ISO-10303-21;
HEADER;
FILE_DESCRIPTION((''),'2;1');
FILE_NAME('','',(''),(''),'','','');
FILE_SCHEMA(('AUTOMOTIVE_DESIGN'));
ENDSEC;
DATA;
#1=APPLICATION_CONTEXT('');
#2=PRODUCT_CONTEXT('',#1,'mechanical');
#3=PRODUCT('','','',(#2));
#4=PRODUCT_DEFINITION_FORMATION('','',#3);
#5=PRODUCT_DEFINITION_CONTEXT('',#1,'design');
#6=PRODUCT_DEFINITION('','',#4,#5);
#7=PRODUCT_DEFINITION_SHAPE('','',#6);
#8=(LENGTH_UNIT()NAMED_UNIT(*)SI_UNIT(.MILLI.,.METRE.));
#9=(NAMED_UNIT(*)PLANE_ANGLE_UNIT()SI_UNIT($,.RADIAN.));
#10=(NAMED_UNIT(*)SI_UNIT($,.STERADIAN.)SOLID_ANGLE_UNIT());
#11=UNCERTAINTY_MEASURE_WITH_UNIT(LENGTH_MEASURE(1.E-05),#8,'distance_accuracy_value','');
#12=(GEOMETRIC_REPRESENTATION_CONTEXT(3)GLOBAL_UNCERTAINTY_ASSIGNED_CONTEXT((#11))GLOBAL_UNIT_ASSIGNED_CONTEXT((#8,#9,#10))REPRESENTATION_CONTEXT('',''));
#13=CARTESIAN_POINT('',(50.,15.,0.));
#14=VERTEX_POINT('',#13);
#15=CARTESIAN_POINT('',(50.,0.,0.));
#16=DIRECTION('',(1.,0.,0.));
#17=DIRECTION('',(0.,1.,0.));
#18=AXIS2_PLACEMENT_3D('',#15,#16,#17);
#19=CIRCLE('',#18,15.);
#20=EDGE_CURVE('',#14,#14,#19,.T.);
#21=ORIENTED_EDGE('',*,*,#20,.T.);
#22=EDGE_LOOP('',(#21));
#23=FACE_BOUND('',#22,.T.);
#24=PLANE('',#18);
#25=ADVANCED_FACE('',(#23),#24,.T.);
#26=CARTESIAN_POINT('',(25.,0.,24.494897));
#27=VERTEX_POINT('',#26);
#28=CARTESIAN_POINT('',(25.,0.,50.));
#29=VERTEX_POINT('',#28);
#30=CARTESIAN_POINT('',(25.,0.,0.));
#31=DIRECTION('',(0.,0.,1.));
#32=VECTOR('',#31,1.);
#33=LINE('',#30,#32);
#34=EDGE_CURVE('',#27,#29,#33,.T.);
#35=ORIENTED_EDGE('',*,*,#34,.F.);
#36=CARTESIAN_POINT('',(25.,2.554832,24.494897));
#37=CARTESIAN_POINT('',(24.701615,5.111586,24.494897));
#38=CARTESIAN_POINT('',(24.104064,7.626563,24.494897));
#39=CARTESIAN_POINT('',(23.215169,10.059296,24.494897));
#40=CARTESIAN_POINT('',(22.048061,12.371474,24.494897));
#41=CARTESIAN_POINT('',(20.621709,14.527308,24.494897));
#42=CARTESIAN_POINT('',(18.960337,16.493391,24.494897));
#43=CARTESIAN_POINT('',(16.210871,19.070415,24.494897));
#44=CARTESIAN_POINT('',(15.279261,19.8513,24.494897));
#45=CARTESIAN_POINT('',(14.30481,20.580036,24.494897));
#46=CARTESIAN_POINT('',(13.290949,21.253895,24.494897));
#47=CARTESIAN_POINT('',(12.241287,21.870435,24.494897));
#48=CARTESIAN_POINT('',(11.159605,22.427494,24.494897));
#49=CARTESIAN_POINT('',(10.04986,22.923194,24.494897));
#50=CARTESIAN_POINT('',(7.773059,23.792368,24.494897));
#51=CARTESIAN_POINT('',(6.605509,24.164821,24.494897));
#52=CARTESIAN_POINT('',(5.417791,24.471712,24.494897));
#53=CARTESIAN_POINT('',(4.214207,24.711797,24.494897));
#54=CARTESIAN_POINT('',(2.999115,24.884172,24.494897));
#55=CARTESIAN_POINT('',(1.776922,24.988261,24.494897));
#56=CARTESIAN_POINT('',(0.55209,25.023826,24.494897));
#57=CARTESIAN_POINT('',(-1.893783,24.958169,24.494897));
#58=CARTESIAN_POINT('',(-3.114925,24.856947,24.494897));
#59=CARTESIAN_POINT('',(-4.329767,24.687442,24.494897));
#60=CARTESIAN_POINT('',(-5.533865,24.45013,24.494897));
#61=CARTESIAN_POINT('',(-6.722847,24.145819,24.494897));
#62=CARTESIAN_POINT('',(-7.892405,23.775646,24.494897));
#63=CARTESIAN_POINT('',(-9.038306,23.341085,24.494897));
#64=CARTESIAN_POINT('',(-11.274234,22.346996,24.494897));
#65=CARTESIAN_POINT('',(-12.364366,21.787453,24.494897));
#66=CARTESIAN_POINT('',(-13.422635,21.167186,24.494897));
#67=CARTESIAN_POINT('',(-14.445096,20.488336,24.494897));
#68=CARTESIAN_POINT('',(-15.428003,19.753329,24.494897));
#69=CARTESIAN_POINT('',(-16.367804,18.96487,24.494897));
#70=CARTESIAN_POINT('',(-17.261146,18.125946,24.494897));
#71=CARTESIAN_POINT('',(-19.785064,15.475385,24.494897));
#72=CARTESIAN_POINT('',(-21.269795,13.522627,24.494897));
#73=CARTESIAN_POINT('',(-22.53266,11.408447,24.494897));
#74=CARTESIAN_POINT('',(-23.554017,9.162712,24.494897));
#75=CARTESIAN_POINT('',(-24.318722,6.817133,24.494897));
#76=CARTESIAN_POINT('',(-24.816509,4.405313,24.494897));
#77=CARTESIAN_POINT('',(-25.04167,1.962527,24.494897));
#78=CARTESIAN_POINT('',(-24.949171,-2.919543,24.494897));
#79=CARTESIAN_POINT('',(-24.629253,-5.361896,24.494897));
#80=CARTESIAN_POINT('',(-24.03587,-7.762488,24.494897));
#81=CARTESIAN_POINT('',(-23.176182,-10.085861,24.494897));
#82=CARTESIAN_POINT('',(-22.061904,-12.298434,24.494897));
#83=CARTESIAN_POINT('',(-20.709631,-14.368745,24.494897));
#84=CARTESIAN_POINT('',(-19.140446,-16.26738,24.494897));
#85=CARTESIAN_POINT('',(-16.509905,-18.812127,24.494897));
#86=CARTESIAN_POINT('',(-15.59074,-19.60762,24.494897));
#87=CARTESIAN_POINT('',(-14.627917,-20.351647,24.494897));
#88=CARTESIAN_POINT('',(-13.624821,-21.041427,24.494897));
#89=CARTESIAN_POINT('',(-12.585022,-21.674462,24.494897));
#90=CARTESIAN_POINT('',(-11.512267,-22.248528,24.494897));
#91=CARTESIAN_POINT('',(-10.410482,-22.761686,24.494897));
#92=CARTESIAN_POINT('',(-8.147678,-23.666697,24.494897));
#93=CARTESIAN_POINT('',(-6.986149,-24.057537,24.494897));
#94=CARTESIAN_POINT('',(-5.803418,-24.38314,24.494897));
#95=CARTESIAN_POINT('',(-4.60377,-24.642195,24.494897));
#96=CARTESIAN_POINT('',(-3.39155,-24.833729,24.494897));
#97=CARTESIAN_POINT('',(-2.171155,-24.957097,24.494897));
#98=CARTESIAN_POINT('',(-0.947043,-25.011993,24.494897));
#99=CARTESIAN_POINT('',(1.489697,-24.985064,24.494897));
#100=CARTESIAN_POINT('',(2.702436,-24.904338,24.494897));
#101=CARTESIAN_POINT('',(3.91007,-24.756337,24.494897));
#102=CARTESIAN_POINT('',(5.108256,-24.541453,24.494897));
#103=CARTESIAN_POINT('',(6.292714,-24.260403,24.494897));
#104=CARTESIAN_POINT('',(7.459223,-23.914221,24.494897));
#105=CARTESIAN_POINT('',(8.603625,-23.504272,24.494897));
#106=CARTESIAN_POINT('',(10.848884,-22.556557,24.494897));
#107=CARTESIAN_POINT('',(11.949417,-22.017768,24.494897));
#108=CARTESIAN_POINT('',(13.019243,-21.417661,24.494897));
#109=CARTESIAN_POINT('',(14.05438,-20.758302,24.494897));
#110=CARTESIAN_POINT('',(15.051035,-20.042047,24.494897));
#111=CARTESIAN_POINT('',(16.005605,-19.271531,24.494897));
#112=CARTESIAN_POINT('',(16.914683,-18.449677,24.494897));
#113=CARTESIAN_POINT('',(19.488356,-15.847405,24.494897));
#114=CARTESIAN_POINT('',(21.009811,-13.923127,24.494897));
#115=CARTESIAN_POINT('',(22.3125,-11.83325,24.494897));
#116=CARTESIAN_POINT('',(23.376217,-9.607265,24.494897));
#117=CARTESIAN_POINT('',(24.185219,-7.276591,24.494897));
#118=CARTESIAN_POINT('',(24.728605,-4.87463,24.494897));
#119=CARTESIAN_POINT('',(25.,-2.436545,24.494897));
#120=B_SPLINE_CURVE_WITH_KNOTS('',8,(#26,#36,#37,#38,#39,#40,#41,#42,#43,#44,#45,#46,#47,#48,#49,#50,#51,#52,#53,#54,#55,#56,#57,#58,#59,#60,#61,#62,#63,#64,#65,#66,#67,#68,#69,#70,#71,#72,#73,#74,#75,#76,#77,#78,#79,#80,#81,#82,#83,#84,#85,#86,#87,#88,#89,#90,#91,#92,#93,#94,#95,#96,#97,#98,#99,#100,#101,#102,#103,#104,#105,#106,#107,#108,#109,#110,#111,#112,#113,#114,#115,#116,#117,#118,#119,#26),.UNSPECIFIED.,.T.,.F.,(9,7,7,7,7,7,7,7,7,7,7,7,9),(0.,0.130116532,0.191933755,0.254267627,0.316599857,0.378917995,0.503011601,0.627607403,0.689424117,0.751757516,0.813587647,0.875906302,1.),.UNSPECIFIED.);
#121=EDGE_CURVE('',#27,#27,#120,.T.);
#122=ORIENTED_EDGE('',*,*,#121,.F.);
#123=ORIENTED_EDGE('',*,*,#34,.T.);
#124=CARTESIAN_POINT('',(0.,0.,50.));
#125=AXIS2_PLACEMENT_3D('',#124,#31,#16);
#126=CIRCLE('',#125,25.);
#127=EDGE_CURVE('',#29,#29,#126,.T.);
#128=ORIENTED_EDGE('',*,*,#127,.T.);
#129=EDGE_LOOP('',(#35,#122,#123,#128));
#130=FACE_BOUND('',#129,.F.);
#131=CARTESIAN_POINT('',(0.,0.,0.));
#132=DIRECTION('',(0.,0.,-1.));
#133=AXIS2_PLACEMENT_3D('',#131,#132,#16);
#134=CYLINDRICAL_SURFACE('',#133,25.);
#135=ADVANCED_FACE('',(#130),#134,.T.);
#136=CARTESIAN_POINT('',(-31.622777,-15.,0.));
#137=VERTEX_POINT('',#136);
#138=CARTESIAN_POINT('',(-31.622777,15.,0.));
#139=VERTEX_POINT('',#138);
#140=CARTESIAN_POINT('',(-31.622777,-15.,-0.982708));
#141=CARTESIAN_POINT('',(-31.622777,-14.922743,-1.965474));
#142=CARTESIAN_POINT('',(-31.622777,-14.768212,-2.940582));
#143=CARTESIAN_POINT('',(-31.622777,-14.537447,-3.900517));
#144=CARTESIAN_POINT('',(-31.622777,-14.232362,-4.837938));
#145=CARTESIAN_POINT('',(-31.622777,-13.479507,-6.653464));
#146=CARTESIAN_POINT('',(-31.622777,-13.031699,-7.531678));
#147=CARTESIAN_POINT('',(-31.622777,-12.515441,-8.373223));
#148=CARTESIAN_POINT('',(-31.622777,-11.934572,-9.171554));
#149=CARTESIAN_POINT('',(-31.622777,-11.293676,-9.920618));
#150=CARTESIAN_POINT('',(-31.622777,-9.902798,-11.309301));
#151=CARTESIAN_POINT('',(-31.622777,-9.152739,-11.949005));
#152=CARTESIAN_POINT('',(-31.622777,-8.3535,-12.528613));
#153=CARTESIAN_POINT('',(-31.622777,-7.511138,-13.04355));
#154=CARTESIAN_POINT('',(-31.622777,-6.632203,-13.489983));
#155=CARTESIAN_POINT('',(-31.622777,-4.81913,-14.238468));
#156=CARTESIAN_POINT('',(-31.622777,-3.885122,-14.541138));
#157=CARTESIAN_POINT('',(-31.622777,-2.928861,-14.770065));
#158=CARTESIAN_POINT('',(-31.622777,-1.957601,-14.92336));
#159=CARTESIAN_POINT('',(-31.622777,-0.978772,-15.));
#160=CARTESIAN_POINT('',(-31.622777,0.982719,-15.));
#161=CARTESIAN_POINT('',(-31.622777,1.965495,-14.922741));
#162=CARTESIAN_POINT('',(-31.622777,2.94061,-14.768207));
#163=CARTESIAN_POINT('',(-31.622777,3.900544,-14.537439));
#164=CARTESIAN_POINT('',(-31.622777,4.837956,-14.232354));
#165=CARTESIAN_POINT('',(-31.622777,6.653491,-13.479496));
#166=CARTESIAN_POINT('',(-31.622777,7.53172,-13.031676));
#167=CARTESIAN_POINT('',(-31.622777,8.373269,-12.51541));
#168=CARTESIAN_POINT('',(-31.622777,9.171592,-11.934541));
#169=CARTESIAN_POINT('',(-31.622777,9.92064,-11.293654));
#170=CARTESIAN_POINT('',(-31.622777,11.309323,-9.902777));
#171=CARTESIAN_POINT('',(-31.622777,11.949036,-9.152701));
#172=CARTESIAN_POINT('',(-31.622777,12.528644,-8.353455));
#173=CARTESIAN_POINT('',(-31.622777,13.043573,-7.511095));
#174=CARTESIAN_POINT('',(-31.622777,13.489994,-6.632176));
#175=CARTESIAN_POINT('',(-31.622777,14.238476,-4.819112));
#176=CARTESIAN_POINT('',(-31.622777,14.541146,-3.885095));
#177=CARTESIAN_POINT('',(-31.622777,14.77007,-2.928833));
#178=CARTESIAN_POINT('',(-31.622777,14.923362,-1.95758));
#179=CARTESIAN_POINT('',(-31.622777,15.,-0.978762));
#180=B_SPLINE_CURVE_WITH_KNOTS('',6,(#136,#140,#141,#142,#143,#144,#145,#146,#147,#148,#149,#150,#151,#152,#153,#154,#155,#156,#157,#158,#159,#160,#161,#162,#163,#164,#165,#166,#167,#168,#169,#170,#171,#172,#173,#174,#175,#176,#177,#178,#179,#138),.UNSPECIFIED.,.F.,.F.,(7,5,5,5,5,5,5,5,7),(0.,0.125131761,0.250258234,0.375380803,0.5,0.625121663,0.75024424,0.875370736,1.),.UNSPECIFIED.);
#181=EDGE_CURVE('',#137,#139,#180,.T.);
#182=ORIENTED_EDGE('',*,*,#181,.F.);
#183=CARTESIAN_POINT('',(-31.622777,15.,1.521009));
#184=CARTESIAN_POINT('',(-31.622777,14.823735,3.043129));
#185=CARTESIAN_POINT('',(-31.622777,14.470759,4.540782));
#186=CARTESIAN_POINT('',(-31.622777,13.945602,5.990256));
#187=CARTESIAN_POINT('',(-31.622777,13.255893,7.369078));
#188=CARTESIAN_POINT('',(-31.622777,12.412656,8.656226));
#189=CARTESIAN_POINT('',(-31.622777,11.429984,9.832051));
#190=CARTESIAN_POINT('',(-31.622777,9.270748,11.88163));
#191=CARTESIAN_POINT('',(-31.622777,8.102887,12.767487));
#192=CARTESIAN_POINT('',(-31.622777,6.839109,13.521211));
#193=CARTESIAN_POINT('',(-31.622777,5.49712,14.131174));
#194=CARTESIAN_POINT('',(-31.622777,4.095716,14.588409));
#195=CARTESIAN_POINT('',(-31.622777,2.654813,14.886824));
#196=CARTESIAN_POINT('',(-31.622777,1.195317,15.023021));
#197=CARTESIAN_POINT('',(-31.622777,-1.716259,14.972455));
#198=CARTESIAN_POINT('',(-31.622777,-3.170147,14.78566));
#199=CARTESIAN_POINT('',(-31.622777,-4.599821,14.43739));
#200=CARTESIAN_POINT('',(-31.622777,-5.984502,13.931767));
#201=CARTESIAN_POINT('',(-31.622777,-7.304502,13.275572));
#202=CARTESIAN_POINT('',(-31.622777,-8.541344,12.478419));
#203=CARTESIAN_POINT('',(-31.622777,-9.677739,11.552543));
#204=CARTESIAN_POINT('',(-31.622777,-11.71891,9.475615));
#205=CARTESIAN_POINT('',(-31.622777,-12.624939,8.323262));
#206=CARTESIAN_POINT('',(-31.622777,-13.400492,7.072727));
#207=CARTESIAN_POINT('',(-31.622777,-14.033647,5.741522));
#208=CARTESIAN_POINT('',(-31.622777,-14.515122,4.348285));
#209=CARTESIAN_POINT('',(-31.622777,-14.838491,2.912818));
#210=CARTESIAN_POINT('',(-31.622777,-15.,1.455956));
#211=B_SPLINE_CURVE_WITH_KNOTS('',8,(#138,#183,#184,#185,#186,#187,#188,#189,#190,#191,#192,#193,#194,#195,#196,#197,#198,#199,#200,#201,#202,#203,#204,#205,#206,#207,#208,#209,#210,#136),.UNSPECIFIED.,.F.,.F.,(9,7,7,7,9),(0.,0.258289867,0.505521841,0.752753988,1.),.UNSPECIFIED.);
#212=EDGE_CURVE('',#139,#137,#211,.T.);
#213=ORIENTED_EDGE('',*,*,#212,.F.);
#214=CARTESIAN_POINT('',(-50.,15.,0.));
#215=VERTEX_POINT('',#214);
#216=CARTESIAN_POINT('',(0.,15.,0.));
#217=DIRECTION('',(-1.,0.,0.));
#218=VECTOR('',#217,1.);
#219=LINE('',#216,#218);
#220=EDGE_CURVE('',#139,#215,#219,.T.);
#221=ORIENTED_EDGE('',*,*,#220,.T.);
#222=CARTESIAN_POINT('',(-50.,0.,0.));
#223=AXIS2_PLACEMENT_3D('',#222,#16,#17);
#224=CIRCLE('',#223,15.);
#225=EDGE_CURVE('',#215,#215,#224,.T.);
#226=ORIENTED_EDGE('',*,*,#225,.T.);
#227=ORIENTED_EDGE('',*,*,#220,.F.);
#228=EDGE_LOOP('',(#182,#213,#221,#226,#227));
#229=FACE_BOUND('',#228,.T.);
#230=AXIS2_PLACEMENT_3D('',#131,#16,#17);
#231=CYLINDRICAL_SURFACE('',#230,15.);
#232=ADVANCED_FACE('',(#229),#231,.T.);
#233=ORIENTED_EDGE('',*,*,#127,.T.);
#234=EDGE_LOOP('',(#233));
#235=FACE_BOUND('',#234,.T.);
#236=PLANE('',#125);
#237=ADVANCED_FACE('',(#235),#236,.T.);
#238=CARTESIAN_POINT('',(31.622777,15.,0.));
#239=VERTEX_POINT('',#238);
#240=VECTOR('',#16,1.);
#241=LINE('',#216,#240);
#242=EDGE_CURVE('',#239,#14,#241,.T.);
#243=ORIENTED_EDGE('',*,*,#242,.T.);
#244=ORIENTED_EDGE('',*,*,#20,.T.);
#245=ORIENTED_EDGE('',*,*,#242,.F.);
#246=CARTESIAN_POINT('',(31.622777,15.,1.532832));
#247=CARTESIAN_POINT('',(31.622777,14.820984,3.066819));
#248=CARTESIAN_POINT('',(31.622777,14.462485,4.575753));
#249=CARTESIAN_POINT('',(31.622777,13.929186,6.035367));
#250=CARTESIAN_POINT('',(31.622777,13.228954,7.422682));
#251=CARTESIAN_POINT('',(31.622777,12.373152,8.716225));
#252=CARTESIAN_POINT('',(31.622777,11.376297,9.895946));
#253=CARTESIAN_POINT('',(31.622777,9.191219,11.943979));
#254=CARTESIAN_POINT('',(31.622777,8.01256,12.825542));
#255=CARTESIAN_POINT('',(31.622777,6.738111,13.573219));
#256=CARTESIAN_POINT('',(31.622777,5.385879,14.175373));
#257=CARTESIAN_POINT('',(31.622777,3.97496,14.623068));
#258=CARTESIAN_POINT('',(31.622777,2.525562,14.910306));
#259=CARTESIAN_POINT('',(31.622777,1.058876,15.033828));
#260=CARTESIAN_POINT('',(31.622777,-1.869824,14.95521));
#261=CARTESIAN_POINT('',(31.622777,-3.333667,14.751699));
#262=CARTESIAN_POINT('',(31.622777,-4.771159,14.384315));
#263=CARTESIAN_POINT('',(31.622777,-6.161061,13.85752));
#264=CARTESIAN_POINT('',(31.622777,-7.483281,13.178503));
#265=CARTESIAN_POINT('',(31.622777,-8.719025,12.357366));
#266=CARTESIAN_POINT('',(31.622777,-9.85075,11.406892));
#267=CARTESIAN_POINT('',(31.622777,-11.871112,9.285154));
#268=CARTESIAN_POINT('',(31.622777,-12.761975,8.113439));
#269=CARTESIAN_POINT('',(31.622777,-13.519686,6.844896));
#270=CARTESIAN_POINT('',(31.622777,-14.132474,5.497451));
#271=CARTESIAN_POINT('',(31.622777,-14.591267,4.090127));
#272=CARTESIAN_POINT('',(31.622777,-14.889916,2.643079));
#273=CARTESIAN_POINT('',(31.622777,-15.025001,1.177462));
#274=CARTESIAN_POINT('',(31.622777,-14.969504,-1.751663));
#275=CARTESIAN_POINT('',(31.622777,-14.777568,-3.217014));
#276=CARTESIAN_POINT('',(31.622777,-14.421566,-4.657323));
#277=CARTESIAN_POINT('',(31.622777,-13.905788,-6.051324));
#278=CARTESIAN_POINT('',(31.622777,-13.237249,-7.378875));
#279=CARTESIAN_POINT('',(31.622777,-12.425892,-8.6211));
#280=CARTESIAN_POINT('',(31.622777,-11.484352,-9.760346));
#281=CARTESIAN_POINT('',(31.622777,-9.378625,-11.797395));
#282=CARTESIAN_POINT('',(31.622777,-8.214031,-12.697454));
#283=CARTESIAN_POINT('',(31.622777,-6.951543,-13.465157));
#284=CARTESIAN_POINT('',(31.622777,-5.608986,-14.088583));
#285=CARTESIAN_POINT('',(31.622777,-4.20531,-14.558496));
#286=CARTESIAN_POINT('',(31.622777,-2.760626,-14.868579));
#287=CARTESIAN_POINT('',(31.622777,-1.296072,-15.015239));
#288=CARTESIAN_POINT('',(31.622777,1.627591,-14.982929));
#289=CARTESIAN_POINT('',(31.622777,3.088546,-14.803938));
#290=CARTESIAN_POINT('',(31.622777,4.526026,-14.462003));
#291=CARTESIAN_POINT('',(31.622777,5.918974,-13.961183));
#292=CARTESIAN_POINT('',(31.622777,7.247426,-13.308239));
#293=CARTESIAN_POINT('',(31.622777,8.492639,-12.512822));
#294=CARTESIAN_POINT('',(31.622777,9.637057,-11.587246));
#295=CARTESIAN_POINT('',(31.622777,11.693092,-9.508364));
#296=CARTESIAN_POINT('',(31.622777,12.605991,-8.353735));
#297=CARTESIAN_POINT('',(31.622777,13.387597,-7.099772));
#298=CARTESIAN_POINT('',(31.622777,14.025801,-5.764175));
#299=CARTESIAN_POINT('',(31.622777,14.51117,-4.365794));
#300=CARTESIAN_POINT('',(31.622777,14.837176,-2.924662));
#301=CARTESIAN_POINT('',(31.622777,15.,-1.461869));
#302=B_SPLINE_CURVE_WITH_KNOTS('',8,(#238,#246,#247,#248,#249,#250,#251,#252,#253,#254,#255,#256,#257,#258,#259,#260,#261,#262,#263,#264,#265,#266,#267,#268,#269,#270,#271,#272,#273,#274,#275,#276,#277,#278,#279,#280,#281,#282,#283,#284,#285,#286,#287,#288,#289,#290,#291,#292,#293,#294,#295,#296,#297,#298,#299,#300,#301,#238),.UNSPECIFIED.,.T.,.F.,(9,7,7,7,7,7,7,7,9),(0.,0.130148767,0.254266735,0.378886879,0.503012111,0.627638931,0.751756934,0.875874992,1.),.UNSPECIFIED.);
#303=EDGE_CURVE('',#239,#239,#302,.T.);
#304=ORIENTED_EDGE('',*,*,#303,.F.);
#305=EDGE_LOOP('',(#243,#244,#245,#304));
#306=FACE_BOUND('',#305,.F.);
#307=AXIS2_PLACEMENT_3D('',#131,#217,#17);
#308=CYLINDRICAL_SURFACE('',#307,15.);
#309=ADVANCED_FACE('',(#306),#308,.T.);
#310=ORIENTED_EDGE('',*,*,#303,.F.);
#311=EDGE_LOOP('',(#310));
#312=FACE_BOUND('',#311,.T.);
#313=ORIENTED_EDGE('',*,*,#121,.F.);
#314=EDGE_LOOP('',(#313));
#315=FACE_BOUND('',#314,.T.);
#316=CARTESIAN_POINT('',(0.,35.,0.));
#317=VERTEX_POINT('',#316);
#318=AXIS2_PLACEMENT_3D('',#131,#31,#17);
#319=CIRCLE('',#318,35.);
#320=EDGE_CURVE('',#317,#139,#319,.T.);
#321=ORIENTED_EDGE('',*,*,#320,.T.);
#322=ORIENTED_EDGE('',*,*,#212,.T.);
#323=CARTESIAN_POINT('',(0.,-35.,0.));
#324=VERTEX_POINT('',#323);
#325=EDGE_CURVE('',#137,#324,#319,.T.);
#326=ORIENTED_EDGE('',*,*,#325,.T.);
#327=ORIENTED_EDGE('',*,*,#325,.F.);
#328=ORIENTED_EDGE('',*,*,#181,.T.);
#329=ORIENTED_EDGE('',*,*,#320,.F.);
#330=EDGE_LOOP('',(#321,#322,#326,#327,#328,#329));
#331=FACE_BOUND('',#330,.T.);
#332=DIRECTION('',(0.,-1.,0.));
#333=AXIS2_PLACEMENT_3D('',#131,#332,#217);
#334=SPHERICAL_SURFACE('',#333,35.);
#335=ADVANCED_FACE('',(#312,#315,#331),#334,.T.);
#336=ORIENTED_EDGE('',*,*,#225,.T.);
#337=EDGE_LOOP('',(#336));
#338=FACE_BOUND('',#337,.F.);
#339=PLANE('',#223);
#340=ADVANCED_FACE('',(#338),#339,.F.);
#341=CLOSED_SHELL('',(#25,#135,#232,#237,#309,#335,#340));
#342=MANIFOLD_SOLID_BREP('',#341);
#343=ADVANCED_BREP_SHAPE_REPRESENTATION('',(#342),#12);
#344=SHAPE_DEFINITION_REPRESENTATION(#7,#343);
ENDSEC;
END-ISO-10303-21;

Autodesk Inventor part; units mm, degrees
ref_plane "XZ Plane" through (0, 0, 0) normal (0, 1, 0) x (-1, 0, 0)
sketch "スケッチ1" plane through (0, 0, 0) normal (0, 0, 1) x (1, 0, 0)
  arc A0 (0, 35) -> (0, -35) centre (0, 0) ccw
  line L0 (0, 35) -> (0, -35)
  dimension "d0" = 70
revolve "回転1" add sketch "スケッチ1" angle 360 about axis through (0, 35, 0) along (0, -1, 0)
sketch "スケッチ2" plane through (0, 0, 0) normal (0, 0, 1) x (1, 0, 0)
  circle A0 centre (0, 0) radius 25
  dimension "d2" = 50
extrude "押し出し1" add sketch "スケッチ2" along normal blind 50
sketch "スケッチ3" plane through (0, 0, 0) normal (1, 0, 0) x (0, 1, 0)
  circle A0 centre (0, 0) radius 15
  dimension "d5" = 30
extrude "押し出し2" add sketch "スケッチ3" along normal mid plane 100
properties part number "UpperlegY"
